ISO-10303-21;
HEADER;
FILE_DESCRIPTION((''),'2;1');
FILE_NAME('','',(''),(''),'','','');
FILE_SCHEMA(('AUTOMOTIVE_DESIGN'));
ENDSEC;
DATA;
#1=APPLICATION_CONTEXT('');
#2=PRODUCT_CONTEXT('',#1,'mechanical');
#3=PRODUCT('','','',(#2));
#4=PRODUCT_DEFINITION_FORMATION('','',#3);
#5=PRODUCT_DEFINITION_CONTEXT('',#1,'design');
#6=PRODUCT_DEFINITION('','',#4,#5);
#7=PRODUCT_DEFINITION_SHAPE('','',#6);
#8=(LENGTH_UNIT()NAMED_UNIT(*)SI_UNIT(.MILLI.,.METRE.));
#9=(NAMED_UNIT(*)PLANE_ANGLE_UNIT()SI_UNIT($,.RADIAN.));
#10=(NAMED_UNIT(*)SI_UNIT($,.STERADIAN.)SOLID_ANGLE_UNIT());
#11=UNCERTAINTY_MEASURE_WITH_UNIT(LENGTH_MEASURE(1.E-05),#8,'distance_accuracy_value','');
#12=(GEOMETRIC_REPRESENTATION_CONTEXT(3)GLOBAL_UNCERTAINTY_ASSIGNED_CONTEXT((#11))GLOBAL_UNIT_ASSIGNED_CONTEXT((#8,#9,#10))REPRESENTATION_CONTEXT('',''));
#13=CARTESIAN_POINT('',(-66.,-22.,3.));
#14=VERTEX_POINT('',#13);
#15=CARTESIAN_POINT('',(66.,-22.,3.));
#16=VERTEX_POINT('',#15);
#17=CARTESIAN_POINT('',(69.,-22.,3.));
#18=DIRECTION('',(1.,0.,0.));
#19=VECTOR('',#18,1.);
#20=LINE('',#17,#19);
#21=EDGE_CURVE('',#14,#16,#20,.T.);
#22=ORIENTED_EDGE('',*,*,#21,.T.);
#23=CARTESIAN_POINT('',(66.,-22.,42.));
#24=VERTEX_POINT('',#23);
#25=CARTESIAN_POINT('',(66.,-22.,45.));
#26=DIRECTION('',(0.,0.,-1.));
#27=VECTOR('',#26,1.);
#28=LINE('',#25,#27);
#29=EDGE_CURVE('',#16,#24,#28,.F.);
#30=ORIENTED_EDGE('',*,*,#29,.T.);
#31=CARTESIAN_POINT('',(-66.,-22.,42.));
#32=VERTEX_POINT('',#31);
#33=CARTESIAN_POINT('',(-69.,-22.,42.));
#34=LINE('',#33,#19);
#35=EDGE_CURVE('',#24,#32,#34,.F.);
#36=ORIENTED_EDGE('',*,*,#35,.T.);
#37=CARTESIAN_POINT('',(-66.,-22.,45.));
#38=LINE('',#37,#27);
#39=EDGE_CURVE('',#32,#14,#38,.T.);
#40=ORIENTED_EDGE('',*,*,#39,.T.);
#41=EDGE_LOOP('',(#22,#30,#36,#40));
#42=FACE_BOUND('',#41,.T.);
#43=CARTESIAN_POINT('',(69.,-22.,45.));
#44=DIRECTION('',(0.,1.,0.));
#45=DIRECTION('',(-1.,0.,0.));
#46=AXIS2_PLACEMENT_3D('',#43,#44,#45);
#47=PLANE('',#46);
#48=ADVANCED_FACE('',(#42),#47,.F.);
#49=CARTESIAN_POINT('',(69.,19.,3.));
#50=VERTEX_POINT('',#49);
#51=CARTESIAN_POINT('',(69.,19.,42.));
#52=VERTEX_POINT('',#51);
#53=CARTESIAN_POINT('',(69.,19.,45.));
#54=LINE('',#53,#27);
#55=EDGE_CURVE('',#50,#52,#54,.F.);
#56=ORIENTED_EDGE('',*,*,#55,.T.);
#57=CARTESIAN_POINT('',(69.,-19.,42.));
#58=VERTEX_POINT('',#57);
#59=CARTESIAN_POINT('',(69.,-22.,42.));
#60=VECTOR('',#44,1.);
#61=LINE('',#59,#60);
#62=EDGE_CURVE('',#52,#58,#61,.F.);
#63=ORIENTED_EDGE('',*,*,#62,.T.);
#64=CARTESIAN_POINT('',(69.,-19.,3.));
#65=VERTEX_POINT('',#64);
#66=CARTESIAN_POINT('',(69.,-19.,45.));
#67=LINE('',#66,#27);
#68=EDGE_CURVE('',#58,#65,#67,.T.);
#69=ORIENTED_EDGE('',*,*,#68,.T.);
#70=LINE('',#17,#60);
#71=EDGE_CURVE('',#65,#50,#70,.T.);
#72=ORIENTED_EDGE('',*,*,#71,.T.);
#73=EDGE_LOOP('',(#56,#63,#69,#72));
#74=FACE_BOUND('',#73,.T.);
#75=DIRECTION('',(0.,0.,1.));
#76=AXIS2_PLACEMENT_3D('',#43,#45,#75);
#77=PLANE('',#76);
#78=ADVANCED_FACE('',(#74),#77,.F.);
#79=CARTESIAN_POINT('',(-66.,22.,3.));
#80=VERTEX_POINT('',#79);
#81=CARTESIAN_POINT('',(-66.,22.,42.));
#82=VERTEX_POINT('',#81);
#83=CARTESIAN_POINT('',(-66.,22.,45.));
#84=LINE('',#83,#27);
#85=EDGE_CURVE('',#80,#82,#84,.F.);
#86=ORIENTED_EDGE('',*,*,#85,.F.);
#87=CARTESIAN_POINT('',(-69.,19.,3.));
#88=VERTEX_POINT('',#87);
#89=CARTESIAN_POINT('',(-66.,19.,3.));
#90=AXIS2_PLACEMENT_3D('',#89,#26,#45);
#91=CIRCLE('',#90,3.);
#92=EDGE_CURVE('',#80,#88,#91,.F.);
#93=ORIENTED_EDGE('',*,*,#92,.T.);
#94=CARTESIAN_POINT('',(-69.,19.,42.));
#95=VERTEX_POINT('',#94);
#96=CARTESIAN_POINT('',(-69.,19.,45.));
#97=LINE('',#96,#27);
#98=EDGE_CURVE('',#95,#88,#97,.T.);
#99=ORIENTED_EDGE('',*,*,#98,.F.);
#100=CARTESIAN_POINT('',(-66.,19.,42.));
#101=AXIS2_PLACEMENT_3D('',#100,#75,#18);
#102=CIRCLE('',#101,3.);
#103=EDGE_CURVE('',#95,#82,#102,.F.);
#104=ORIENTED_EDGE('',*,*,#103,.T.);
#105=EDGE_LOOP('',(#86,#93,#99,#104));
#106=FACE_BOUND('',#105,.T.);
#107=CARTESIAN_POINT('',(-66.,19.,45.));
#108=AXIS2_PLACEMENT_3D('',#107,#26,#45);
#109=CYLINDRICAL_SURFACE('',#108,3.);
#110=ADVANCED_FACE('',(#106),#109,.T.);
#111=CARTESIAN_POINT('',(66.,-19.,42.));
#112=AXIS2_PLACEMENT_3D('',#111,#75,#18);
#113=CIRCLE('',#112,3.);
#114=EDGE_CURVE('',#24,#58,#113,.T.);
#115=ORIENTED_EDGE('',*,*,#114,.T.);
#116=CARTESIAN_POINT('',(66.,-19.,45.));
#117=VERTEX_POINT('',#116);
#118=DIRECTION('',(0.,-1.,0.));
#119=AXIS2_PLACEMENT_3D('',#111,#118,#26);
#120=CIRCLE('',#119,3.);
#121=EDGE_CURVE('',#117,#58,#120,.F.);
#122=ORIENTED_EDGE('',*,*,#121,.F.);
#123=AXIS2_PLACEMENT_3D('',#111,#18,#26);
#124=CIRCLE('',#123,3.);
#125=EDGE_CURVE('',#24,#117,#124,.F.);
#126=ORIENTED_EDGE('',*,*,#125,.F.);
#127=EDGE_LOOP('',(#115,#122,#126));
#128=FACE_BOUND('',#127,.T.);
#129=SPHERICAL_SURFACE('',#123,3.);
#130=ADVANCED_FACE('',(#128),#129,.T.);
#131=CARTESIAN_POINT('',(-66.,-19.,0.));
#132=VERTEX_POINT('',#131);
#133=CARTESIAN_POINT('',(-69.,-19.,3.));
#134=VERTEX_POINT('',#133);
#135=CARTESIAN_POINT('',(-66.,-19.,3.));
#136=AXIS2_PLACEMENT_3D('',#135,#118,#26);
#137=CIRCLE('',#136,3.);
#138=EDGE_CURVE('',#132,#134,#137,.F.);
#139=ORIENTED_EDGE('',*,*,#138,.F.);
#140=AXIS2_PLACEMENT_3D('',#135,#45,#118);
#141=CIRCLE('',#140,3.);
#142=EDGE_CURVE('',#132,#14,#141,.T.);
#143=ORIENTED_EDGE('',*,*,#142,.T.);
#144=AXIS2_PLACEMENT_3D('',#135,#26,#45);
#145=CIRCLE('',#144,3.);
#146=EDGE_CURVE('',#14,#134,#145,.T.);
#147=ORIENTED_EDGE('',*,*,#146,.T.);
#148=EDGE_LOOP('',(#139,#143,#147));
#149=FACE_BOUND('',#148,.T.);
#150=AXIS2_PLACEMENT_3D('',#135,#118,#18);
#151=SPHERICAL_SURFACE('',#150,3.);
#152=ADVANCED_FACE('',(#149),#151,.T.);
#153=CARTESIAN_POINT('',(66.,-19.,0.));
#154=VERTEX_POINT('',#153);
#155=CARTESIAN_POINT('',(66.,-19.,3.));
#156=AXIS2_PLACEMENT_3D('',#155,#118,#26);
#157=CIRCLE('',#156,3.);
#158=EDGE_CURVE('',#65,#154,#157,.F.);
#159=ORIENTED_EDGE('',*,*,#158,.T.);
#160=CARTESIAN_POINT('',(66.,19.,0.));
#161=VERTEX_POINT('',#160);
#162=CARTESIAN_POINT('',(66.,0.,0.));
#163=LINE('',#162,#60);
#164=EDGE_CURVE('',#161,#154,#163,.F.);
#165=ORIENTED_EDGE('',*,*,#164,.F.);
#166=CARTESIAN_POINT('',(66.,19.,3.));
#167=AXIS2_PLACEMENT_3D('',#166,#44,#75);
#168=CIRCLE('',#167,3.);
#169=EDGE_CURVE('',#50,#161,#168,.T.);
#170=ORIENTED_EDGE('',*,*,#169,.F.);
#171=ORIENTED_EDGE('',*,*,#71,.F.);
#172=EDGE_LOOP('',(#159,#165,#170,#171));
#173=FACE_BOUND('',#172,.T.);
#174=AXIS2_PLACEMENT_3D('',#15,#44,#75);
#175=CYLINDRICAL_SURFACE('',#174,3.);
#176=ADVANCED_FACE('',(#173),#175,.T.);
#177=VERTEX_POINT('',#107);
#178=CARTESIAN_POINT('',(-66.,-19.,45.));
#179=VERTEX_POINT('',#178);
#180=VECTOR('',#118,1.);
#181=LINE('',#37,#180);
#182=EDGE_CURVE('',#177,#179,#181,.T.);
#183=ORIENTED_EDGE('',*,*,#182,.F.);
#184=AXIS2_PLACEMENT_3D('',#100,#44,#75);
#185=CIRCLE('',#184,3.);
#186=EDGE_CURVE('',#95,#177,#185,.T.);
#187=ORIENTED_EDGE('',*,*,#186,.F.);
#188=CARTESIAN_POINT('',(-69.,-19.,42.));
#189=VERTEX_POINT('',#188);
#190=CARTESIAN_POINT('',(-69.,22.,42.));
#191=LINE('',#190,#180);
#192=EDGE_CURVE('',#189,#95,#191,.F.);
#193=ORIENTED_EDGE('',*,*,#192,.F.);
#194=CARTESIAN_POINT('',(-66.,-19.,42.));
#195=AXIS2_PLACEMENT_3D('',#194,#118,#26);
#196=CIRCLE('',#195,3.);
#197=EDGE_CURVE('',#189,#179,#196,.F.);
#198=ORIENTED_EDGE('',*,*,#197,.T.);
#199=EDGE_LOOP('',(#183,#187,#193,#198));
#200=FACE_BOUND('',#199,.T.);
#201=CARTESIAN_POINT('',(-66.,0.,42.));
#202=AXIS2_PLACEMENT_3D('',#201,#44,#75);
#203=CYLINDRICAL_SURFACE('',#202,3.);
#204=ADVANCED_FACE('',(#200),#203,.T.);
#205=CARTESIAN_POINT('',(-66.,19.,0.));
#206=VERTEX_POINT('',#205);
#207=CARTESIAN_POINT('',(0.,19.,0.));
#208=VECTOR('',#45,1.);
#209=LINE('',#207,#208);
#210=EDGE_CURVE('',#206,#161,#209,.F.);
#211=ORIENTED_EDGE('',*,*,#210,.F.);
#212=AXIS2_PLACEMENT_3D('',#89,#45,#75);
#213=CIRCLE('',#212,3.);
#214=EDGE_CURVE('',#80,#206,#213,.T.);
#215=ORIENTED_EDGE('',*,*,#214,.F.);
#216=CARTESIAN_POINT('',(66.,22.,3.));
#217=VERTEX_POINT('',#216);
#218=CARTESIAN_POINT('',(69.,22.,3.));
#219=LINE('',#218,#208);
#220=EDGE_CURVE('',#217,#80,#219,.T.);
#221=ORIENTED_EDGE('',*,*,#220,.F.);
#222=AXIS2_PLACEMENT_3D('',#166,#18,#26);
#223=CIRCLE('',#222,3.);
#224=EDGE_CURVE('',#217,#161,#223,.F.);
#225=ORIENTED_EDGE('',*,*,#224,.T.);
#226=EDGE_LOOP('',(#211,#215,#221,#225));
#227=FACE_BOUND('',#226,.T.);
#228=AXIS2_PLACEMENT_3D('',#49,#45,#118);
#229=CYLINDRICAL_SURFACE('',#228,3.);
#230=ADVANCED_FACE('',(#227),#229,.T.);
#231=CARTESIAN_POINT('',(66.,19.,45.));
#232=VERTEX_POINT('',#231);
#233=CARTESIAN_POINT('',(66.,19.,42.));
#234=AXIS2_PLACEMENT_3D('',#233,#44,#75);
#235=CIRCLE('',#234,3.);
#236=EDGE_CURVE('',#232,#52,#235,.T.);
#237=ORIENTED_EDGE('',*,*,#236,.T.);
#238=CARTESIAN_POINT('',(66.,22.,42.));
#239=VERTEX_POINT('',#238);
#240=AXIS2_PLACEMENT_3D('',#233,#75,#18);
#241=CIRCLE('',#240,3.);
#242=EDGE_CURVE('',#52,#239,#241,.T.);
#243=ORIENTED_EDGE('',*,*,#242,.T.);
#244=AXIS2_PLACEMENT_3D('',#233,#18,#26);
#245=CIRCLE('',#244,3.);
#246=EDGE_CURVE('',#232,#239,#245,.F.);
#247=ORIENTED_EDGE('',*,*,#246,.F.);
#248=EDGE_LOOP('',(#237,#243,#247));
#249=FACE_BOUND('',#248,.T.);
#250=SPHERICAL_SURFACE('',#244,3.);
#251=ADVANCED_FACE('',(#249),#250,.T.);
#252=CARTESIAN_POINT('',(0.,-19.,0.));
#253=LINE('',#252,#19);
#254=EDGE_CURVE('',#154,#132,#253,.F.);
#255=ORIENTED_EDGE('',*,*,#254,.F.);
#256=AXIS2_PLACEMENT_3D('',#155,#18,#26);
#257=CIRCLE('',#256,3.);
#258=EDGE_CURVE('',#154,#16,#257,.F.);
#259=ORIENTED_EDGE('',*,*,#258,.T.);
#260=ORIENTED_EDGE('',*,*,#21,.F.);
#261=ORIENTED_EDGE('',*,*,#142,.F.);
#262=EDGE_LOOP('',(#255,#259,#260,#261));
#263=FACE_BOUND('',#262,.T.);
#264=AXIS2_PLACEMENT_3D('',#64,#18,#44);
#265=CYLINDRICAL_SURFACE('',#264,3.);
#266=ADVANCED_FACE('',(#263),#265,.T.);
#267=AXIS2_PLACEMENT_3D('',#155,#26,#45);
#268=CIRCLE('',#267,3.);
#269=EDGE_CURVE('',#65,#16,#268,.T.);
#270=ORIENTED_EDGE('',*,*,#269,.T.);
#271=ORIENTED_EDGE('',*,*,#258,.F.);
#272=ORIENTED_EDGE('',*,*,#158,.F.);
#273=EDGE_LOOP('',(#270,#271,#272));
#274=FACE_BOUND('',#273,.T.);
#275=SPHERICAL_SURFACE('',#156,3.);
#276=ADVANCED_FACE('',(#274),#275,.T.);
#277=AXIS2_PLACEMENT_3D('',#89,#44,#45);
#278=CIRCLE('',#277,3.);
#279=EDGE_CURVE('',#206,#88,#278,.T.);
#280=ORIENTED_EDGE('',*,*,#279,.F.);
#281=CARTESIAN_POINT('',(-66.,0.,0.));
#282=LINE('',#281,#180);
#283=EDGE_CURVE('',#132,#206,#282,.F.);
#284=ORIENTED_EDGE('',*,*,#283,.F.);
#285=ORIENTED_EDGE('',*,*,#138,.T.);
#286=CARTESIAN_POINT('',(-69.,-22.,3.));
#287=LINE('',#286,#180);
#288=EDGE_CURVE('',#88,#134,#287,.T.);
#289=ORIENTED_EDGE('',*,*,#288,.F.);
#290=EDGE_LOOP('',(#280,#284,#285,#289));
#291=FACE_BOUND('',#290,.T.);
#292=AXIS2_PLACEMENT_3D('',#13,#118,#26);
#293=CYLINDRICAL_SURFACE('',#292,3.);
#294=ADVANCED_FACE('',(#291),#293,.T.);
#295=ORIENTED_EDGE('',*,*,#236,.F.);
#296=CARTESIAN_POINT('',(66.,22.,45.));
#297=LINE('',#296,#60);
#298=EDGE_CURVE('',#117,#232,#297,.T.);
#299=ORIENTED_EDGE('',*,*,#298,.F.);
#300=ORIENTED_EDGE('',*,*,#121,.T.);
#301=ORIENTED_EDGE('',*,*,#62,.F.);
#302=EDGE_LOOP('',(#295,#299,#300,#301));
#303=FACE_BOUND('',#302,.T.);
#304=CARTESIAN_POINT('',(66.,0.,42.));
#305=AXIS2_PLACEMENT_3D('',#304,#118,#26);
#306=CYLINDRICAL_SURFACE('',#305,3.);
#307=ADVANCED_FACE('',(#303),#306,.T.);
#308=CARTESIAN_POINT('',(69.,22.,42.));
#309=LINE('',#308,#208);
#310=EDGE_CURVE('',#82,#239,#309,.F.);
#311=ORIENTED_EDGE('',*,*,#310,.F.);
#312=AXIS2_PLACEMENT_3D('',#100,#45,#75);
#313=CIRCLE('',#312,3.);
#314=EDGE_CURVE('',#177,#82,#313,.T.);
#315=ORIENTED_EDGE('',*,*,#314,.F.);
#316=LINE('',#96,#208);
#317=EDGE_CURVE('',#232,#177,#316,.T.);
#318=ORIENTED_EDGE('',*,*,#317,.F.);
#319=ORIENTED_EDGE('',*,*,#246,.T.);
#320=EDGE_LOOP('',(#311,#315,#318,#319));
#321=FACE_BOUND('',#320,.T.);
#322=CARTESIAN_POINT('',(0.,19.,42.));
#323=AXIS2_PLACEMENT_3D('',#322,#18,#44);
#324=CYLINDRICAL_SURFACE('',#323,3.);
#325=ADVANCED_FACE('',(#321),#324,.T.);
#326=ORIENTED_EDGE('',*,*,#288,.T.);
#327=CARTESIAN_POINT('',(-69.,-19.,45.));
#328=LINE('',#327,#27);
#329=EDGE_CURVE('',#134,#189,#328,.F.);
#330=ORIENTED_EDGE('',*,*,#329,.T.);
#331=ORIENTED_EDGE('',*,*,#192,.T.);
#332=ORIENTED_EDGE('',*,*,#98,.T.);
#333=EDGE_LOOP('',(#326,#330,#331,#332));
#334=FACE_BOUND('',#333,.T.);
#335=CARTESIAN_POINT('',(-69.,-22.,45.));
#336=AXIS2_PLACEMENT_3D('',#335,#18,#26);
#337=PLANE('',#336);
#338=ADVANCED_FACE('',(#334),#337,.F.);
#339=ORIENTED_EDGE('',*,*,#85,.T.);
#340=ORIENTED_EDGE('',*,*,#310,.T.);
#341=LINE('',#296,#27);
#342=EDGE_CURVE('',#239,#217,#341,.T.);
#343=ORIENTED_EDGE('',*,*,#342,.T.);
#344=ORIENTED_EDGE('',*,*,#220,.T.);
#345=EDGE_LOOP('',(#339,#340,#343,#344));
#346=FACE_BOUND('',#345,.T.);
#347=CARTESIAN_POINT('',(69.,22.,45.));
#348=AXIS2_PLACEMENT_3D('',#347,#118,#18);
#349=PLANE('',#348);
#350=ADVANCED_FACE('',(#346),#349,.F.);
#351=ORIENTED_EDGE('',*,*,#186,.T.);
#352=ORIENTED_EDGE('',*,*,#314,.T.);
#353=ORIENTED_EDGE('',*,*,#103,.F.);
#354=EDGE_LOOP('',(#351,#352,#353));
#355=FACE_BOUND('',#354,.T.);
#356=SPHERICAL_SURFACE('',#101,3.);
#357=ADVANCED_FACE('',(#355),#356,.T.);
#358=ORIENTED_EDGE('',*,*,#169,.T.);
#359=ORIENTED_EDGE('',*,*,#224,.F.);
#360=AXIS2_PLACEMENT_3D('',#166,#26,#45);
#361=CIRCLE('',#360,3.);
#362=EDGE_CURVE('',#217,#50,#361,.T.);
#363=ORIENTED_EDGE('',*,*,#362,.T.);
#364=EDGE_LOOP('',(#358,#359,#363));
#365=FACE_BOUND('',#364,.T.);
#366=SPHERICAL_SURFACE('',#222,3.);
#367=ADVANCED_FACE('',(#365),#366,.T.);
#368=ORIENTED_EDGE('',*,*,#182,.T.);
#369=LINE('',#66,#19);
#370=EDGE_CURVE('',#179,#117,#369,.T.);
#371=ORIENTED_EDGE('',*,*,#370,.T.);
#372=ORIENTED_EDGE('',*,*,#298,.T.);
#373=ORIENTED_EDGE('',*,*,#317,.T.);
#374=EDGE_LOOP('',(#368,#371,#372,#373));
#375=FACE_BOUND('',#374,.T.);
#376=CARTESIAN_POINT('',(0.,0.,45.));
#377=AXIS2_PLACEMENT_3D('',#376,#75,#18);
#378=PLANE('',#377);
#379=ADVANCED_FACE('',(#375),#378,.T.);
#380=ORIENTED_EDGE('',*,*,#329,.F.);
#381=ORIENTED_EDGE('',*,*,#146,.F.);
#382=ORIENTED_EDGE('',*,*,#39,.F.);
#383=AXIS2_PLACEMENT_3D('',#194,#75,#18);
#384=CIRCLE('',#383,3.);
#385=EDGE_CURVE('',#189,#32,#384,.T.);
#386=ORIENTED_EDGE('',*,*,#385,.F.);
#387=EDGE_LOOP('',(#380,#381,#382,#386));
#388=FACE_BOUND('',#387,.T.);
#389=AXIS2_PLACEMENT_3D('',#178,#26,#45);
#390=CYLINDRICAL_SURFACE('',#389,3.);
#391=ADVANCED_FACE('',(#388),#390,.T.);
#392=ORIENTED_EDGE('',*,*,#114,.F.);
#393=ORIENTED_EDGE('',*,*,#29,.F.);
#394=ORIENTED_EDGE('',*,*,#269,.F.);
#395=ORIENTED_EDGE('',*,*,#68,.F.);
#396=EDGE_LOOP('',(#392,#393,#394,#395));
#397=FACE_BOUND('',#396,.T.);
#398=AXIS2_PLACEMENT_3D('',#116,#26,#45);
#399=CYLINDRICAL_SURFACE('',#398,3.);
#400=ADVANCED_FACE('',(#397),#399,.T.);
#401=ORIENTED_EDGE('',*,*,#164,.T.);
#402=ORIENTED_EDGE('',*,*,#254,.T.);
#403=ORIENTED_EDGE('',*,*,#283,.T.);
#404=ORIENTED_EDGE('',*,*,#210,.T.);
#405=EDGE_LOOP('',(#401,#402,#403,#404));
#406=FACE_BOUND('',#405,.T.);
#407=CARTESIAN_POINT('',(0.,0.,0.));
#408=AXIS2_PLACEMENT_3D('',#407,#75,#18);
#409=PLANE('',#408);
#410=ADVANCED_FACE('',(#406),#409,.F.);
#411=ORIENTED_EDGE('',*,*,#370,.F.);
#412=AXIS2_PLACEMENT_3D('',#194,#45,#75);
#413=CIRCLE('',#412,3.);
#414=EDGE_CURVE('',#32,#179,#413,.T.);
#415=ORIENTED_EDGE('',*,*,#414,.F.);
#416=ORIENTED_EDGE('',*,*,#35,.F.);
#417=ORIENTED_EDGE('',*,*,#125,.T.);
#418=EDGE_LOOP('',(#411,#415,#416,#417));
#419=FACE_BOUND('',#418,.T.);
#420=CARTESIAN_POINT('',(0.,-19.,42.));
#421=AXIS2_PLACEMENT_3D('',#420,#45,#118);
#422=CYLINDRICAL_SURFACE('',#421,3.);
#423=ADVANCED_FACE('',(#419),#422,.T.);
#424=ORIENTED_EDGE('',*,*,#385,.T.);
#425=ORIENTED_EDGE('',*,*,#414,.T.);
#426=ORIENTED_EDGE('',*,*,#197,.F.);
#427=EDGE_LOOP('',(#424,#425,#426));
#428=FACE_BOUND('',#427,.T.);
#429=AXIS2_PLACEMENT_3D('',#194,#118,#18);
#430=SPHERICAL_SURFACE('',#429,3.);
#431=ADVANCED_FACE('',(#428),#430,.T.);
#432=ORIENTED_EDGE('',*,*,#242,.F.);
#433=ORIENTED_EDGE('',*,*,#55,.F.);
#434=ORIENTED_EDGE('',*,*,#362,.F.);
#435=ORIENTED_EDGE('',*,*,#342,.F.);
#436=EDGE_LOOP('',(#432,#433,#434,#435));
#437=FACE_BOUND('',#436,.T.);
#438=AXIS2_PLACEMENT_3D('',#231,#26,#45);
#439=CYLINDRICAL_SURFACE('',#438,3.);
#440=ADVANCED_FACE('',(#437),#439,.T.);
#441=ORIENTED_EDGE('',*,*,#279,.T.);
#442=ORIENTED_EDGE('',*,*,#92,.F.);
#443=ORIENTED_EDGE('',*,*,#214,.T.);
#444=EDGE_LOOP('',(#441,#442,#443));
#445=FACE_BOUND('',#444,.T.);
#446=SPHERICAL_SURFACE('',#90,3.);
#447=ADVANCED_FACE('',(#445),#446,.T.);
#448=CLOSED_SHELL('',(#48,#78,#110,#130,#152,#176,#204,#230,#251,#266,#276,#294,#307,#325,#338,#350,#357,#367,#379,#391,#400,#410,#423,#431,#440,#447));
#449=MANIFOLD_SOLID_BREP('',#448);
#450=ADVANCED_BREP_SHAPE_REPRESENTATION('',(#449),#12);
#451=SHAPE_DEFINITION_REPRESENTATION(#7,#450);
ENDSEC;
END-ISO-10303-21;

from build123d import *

# Parameters (mm, degrees)
SKETCH_1_W      = 138
SKETCH_1_H      = 44
EXTRUDE_1_DEPTH = 45
FILLET_1_R      = 3


with BuildPart() as part:
    # 草图1 → 凸台-拉伸1 (new body)
    with BuildSketch(Plane.XY):
        Rectangle(SKETCH_1_W, SKETCH_1_H)
    extrude(amount=EXTRUDE_1_DEPTH)

    # 圆角1
    fillet_1_edges = [part.edges().sort_by_distance(p)[0] for p in [
        (69, 0, 45),
        (0, 22, 45),
        (-69, 0, 45),
        (0, 22, 0),
        (69, 0, 0),
        (0, -22, 0),
        (-69, 0, 0),
        (-69, 22, 22.5),
        (69, 22, 22.5),
        (69, -22, 22.5),
        (-69, -22, 22.5),
        (0, -22, 45),
    ]]
    fillet(fillet_1_edges, radius=FILLET_1_R)


solid = part.part
